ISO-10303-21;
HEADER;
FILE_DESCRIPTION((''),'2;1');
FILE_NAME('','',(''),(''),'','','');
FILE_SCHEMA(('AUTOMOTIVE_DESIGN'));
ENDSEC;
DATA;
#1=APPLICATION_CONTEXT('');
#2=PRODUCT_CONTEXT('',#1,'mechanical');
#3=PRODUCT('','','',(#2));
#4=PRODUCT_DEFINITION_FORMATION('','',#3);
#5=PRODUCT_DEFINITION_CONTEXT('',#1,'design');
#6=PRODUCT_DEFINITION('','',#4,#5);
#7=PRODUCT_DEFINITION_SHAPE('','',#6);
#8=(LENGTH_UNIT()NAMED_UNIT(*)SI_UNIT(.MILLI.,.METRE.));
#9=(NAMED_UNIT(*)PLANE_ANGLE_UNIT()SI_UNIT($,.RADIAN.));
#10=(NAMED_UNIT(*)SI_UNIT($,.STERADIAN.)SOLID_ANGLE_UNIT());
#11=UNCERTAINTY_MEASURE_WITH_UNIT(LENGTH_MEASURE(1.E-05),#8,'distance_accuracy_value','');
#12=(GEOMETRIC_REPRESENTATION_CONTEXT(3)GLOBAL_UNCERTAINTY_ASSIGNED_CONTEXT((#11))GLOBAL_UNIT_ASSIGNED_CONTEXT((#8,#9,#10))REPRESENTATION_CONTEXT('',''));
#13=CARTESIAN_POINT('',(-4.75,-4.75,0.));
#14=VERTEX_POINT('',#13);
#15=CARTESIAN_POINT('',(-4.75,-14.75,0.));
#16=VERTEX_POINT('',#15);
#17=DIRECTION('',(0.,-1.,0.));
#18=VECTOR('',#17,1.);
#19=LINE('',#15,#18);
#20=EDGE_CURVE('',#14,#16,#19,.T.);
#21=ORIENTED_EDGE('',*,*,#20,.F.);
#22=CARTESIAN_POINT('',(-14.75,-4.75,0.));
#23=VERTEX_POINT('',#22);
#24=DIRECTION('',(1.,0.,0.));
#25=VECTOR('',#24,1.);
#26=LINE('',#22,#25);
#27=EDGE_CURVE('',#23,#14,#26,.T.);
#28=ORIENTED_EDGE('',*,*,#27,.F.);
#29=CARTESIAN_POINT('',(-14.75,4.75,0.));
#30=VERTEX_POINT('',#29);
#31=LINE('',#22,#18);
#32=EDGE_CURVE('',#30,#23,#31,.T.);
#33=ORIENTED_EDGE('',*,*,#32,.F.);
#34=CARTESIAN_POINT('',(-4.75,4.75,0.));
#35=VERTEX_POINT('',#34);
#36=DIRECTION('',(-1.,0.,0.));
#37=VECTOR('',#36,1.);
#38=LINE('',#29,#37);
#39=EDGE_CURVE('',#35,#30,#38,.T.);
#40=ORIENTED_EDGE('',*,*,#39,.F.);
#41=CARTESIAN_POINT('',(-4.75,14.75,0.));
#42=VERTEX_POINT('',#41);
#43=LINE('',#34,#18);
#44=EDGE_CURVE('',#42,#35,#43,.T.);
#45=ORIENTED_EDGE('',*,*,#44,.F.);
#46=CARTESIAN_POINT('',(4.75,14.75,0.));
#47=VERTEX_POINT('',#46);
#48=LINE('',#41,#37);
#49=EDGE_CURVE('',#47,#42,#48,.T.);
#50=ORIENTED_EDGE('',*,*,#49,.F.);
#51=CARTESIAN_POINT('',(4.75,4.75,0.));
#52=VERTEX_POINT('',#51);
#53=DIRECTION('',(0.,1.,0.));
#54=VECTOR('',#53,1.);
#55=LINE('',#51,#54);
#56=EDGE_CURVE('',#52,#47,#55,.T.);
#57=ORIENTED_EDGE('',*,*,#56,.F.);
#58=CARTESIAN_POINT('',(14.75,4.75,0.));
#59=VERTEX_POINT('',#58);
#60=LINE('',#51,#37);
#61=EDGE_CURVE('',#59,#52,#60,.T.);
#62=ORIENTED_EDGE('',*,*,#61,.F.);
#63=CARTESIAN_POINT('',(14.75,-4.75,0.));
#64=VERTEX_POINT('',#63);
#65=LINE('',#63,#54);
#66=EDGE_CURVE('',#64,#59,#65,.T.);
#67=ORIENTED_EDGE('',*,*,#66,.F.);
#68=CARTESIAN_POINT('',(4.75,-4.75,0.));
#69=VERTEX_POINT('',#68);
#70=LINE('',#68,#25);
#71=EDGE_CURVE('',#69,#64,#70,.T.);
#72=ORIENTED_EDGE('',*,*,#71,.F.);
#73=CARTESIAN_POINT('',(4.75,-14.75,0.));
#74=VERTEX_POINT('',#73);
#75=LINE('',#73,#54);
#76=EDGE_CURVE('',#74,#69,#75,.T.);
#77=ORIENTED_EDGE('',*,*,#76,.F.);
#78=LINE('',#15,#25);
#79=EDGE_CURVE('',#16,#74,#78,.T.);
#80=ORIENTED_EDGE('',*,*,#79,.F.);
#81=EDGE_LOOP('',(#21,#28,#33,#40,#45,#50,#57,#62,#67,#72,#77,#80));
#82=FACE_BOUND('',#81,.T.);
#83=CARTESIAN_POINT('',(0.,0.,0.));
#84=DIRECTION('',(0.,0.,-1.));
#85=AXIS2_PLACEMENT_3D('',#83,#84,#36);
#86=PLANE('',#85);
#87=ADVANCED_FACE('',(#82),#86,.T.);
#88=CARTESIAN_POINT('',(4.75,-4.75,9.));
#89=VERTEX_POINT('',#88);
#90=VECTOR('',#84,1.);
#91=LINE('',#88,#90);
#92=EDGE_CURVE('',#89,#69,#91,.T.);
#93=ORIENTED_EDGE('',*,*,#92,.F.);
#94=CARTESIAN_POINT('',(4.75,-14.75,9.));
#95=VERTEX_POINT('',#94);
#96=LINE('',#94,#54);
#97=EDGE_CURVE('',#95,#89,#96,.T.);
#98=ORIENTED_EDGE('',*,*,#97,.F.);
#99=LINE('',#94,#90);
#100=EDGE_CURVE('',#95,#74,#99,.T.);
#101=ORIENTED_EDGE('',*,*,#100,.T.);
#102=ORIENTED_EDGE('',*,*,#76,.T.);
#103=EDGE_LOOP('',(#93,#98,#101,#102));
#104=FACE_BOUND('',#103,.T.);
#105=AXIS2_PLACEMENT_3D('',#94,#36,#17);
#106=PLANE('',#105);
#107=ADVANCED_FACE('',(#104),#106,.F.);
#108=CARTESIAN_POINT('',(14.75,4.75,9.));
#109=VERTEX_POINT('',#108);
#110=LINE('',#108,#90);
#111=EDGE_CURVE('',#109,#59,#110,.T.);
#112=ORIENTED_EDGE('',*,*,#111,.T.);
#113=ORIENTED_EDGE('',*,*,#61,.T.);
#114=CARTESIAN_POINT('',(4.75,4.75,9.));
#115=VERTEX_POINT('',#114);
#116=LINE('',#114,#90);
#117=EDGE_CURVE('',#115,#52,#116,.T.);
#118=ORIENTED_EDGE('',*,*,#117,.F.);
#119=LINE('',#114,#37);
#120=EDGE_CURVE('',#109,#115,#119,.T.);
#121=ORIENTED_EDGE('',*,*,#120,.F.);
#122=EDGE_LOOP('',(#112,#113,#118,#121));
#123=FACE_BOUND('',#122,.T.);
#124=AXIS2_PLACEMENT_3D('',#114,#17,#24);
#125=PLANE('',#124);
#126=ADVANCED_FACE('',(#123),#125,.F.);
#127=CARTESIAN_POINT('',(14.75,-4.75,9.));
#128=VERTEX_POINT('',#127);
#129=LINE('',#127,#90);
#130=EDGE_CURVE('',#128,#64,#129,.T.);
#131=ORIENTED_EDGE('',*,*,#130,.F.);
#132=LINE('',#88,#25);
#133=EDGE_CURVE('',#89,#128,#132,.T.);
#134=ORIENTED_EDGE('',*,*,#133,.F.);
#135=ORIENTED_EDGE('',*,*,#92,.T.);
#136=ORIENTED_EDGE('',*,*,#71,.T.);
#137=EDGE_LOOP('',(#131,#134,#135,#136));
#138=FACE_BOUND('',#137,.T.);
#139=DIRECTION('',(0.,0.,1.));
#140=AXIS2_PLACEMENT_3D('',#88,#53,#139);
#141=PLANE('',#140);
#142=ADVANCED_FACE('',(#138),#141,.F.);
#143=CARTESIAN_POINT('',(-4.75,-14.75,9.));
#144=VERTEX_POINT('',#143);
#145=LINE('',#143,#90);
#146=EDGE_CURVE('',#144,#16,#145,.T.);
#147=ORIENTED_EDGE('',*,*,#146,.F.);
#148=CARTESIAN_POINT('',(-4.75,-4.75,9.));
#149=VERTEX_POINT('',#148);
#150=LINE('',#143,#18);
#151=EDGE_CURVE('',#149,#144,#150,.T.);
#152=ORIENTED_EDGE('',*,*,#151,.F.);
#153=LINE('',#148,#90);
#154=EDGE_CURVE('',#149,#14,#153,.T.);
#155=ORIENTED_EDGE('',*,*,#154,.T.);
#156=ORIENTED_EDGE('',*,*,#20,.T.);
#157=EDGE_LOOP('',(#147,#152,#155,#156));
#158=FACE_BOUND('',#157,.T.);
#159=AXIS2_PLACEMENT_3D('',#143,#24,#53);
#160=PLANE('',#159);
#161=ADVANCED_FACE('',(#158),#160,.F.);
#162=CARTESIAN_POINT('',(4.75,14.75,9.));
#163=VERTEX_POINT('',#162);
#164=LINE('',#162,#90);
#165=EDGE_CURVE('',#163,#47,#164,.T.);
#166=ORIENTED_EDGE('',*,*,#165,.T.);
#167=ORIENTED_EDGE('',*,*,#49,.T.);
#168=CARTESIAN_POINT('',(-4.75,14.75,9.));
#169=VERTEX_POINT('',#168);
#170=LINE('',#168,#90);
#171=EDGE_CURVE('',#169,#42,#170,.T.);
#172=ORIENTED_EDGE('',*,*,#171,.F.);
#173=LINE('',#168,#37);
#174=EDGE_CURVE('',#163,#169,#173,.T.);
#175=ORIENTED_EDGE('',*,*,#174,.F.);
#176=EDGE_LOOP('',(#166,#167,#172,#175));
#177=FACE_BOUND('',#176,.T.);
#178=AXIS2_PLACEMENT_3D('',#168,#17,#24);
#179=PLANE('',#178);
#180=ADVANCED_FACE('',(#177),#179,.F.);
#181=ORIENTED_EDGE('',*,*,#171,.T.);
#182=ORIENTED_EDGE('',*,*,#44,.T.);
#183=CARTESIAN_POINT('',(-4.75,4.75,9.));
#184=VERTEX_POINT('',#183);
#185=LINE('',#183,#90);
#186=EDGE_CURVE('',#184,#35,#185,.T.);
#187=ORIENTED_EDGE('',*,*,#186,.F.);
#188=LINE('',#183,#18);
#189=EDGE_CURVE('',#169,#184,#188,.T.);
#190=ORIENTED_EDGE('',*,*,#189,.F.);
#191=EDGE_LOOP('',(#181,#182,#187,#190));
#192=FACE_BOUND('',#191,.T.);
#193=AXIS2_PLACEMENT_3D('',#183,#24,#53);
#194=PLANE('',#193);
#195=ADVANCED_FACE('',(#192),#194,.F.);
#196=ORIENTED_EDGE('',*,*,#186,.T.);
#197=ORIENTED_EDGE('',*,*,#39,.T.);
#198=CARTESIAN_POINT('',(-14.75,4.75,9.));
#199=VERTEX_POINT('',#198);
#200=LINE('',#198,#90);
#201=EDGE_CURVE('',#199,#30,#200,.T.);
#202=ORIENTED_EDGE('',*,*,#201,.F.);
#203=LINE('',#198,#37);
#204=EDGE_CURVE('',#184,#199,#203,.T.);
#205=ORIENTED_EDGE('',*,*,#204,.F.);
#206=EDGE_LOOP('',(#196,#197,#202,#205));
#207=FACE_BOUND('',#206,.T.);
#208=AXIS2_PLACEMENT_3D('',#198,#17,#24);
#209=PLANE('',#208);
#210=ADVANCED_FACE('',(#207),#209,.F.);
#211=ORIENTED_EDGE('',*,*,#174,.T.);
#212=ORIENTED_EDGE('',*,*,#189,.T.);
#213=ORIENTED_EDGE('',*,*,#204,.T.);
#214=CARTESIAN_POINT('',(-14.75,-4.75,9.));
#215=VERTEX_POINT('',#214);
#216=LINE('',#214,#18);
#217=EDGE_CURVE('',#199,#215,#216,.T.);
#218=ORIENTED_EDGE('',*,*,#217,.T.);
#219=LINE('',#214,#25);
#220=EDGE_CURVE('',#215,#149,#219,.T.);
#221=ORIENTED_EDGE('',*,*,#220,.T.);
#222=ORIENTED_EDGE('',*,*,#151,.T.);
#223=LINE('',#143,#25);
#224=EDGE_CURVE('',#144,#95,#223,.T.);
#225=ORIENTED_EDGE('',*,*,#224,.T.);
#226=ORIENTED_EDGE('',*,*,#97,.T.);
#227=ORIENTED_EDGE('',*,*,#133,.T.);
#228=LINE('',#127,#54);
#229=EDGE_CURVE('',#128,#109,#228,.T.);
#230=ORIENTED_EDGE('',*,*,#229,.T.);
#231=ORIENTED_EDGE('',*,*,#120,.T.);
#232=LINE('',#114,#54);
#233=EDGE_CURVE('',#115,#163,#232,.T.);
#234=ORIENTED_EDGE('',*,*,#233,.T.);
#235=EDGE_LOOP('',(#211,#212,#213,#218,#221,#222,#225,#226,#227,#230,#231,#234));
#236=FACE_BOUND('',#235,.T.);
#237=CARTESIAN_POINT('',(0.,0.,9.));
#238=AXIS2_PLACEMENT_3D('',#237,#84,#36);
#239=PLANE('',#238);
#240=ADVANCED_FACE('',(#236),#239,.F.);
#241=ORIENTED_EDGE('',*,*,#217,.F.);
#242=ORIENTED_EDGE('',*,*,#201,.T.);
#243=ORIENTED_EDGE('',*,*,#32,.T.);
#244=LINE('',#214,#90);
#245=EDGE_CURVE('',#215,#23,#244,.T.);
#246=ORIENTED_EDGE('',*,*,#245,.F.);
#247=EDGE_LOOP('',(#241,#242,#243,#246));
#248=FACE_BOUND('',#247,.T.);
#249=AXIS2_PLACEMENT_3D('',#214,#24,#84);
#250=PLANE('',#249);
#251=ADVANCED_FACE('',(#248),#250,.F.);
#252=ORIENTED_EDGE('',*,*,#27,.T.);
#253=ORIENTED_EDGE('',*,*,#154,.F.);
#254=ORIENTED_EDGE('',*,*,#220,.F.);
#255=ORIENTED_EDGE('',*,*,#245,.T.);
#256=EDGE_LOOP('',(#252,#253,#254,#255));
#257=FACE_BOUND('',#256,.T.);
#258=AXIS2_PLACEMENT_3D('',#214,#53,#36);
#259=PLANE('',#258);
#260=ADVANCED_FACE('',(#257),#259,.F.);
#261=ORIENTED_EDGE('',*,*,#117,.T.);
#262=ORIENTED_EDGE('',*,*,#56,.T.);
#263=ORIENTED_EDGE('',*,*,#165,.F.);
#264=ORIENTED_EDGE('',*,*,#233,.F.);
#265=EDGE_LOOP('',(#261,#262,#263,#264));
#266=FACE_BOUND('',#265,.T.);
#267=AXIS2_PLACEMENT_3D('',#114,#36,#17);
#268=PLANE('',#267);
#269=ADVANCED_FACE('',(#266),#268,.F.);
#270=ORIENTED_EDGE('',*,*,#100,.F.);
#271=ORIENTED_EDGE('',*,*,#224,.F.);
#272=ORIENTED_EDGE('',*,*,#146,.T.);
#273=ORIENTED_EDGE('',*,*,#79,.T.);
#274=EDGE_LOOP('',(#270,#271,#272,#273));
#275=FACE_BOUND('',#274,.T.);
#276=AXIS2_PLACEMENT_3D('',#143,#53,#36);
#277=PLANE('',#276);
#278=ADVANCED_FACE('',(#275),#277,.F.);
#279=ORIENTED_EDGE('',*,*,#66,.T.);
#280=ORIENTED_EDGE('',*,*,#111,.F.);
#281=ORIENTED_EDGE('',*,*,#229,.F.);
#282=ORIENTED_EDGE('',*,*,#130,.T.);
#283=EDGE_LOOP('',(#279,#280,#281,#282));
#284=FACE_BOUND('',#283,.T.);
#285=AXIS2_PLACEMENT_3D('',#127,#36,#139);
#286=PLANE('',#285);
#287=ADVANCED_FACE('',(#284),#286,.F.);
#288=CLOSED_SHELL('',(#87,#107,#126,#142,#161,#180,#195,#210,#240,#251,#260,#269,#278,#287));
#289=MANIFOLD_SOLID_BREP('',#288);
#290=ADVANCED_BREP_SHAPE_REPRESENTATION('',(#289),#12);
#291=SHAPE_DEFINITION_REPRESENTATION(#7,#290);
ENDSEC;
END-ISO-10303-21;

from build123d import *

# Parameters (mm, degrees)
BOSS_EXTRUDE2_DEPTH = 9


with BuildPart() as part:
    # Sketch1 → Boss-Extrude2 (new body)
    with BuildSketch(Plane.XY):
        Polygon((-4.75, -14.75), (4.75, -14.75), (4.75, -4.75), (14.75, -4.75), (14.75, 4.75), (4.75, 4.75), (4.75, 14.75), (-4.75, 14.75), (-4.75, 4.75), (-14.75, 4.75), (-14.75, -4.75), (-4.75, -4.75), align=None)
    extrude(amount=BOSS_EXTRUDE2_DEPTH)


solid = part.part
